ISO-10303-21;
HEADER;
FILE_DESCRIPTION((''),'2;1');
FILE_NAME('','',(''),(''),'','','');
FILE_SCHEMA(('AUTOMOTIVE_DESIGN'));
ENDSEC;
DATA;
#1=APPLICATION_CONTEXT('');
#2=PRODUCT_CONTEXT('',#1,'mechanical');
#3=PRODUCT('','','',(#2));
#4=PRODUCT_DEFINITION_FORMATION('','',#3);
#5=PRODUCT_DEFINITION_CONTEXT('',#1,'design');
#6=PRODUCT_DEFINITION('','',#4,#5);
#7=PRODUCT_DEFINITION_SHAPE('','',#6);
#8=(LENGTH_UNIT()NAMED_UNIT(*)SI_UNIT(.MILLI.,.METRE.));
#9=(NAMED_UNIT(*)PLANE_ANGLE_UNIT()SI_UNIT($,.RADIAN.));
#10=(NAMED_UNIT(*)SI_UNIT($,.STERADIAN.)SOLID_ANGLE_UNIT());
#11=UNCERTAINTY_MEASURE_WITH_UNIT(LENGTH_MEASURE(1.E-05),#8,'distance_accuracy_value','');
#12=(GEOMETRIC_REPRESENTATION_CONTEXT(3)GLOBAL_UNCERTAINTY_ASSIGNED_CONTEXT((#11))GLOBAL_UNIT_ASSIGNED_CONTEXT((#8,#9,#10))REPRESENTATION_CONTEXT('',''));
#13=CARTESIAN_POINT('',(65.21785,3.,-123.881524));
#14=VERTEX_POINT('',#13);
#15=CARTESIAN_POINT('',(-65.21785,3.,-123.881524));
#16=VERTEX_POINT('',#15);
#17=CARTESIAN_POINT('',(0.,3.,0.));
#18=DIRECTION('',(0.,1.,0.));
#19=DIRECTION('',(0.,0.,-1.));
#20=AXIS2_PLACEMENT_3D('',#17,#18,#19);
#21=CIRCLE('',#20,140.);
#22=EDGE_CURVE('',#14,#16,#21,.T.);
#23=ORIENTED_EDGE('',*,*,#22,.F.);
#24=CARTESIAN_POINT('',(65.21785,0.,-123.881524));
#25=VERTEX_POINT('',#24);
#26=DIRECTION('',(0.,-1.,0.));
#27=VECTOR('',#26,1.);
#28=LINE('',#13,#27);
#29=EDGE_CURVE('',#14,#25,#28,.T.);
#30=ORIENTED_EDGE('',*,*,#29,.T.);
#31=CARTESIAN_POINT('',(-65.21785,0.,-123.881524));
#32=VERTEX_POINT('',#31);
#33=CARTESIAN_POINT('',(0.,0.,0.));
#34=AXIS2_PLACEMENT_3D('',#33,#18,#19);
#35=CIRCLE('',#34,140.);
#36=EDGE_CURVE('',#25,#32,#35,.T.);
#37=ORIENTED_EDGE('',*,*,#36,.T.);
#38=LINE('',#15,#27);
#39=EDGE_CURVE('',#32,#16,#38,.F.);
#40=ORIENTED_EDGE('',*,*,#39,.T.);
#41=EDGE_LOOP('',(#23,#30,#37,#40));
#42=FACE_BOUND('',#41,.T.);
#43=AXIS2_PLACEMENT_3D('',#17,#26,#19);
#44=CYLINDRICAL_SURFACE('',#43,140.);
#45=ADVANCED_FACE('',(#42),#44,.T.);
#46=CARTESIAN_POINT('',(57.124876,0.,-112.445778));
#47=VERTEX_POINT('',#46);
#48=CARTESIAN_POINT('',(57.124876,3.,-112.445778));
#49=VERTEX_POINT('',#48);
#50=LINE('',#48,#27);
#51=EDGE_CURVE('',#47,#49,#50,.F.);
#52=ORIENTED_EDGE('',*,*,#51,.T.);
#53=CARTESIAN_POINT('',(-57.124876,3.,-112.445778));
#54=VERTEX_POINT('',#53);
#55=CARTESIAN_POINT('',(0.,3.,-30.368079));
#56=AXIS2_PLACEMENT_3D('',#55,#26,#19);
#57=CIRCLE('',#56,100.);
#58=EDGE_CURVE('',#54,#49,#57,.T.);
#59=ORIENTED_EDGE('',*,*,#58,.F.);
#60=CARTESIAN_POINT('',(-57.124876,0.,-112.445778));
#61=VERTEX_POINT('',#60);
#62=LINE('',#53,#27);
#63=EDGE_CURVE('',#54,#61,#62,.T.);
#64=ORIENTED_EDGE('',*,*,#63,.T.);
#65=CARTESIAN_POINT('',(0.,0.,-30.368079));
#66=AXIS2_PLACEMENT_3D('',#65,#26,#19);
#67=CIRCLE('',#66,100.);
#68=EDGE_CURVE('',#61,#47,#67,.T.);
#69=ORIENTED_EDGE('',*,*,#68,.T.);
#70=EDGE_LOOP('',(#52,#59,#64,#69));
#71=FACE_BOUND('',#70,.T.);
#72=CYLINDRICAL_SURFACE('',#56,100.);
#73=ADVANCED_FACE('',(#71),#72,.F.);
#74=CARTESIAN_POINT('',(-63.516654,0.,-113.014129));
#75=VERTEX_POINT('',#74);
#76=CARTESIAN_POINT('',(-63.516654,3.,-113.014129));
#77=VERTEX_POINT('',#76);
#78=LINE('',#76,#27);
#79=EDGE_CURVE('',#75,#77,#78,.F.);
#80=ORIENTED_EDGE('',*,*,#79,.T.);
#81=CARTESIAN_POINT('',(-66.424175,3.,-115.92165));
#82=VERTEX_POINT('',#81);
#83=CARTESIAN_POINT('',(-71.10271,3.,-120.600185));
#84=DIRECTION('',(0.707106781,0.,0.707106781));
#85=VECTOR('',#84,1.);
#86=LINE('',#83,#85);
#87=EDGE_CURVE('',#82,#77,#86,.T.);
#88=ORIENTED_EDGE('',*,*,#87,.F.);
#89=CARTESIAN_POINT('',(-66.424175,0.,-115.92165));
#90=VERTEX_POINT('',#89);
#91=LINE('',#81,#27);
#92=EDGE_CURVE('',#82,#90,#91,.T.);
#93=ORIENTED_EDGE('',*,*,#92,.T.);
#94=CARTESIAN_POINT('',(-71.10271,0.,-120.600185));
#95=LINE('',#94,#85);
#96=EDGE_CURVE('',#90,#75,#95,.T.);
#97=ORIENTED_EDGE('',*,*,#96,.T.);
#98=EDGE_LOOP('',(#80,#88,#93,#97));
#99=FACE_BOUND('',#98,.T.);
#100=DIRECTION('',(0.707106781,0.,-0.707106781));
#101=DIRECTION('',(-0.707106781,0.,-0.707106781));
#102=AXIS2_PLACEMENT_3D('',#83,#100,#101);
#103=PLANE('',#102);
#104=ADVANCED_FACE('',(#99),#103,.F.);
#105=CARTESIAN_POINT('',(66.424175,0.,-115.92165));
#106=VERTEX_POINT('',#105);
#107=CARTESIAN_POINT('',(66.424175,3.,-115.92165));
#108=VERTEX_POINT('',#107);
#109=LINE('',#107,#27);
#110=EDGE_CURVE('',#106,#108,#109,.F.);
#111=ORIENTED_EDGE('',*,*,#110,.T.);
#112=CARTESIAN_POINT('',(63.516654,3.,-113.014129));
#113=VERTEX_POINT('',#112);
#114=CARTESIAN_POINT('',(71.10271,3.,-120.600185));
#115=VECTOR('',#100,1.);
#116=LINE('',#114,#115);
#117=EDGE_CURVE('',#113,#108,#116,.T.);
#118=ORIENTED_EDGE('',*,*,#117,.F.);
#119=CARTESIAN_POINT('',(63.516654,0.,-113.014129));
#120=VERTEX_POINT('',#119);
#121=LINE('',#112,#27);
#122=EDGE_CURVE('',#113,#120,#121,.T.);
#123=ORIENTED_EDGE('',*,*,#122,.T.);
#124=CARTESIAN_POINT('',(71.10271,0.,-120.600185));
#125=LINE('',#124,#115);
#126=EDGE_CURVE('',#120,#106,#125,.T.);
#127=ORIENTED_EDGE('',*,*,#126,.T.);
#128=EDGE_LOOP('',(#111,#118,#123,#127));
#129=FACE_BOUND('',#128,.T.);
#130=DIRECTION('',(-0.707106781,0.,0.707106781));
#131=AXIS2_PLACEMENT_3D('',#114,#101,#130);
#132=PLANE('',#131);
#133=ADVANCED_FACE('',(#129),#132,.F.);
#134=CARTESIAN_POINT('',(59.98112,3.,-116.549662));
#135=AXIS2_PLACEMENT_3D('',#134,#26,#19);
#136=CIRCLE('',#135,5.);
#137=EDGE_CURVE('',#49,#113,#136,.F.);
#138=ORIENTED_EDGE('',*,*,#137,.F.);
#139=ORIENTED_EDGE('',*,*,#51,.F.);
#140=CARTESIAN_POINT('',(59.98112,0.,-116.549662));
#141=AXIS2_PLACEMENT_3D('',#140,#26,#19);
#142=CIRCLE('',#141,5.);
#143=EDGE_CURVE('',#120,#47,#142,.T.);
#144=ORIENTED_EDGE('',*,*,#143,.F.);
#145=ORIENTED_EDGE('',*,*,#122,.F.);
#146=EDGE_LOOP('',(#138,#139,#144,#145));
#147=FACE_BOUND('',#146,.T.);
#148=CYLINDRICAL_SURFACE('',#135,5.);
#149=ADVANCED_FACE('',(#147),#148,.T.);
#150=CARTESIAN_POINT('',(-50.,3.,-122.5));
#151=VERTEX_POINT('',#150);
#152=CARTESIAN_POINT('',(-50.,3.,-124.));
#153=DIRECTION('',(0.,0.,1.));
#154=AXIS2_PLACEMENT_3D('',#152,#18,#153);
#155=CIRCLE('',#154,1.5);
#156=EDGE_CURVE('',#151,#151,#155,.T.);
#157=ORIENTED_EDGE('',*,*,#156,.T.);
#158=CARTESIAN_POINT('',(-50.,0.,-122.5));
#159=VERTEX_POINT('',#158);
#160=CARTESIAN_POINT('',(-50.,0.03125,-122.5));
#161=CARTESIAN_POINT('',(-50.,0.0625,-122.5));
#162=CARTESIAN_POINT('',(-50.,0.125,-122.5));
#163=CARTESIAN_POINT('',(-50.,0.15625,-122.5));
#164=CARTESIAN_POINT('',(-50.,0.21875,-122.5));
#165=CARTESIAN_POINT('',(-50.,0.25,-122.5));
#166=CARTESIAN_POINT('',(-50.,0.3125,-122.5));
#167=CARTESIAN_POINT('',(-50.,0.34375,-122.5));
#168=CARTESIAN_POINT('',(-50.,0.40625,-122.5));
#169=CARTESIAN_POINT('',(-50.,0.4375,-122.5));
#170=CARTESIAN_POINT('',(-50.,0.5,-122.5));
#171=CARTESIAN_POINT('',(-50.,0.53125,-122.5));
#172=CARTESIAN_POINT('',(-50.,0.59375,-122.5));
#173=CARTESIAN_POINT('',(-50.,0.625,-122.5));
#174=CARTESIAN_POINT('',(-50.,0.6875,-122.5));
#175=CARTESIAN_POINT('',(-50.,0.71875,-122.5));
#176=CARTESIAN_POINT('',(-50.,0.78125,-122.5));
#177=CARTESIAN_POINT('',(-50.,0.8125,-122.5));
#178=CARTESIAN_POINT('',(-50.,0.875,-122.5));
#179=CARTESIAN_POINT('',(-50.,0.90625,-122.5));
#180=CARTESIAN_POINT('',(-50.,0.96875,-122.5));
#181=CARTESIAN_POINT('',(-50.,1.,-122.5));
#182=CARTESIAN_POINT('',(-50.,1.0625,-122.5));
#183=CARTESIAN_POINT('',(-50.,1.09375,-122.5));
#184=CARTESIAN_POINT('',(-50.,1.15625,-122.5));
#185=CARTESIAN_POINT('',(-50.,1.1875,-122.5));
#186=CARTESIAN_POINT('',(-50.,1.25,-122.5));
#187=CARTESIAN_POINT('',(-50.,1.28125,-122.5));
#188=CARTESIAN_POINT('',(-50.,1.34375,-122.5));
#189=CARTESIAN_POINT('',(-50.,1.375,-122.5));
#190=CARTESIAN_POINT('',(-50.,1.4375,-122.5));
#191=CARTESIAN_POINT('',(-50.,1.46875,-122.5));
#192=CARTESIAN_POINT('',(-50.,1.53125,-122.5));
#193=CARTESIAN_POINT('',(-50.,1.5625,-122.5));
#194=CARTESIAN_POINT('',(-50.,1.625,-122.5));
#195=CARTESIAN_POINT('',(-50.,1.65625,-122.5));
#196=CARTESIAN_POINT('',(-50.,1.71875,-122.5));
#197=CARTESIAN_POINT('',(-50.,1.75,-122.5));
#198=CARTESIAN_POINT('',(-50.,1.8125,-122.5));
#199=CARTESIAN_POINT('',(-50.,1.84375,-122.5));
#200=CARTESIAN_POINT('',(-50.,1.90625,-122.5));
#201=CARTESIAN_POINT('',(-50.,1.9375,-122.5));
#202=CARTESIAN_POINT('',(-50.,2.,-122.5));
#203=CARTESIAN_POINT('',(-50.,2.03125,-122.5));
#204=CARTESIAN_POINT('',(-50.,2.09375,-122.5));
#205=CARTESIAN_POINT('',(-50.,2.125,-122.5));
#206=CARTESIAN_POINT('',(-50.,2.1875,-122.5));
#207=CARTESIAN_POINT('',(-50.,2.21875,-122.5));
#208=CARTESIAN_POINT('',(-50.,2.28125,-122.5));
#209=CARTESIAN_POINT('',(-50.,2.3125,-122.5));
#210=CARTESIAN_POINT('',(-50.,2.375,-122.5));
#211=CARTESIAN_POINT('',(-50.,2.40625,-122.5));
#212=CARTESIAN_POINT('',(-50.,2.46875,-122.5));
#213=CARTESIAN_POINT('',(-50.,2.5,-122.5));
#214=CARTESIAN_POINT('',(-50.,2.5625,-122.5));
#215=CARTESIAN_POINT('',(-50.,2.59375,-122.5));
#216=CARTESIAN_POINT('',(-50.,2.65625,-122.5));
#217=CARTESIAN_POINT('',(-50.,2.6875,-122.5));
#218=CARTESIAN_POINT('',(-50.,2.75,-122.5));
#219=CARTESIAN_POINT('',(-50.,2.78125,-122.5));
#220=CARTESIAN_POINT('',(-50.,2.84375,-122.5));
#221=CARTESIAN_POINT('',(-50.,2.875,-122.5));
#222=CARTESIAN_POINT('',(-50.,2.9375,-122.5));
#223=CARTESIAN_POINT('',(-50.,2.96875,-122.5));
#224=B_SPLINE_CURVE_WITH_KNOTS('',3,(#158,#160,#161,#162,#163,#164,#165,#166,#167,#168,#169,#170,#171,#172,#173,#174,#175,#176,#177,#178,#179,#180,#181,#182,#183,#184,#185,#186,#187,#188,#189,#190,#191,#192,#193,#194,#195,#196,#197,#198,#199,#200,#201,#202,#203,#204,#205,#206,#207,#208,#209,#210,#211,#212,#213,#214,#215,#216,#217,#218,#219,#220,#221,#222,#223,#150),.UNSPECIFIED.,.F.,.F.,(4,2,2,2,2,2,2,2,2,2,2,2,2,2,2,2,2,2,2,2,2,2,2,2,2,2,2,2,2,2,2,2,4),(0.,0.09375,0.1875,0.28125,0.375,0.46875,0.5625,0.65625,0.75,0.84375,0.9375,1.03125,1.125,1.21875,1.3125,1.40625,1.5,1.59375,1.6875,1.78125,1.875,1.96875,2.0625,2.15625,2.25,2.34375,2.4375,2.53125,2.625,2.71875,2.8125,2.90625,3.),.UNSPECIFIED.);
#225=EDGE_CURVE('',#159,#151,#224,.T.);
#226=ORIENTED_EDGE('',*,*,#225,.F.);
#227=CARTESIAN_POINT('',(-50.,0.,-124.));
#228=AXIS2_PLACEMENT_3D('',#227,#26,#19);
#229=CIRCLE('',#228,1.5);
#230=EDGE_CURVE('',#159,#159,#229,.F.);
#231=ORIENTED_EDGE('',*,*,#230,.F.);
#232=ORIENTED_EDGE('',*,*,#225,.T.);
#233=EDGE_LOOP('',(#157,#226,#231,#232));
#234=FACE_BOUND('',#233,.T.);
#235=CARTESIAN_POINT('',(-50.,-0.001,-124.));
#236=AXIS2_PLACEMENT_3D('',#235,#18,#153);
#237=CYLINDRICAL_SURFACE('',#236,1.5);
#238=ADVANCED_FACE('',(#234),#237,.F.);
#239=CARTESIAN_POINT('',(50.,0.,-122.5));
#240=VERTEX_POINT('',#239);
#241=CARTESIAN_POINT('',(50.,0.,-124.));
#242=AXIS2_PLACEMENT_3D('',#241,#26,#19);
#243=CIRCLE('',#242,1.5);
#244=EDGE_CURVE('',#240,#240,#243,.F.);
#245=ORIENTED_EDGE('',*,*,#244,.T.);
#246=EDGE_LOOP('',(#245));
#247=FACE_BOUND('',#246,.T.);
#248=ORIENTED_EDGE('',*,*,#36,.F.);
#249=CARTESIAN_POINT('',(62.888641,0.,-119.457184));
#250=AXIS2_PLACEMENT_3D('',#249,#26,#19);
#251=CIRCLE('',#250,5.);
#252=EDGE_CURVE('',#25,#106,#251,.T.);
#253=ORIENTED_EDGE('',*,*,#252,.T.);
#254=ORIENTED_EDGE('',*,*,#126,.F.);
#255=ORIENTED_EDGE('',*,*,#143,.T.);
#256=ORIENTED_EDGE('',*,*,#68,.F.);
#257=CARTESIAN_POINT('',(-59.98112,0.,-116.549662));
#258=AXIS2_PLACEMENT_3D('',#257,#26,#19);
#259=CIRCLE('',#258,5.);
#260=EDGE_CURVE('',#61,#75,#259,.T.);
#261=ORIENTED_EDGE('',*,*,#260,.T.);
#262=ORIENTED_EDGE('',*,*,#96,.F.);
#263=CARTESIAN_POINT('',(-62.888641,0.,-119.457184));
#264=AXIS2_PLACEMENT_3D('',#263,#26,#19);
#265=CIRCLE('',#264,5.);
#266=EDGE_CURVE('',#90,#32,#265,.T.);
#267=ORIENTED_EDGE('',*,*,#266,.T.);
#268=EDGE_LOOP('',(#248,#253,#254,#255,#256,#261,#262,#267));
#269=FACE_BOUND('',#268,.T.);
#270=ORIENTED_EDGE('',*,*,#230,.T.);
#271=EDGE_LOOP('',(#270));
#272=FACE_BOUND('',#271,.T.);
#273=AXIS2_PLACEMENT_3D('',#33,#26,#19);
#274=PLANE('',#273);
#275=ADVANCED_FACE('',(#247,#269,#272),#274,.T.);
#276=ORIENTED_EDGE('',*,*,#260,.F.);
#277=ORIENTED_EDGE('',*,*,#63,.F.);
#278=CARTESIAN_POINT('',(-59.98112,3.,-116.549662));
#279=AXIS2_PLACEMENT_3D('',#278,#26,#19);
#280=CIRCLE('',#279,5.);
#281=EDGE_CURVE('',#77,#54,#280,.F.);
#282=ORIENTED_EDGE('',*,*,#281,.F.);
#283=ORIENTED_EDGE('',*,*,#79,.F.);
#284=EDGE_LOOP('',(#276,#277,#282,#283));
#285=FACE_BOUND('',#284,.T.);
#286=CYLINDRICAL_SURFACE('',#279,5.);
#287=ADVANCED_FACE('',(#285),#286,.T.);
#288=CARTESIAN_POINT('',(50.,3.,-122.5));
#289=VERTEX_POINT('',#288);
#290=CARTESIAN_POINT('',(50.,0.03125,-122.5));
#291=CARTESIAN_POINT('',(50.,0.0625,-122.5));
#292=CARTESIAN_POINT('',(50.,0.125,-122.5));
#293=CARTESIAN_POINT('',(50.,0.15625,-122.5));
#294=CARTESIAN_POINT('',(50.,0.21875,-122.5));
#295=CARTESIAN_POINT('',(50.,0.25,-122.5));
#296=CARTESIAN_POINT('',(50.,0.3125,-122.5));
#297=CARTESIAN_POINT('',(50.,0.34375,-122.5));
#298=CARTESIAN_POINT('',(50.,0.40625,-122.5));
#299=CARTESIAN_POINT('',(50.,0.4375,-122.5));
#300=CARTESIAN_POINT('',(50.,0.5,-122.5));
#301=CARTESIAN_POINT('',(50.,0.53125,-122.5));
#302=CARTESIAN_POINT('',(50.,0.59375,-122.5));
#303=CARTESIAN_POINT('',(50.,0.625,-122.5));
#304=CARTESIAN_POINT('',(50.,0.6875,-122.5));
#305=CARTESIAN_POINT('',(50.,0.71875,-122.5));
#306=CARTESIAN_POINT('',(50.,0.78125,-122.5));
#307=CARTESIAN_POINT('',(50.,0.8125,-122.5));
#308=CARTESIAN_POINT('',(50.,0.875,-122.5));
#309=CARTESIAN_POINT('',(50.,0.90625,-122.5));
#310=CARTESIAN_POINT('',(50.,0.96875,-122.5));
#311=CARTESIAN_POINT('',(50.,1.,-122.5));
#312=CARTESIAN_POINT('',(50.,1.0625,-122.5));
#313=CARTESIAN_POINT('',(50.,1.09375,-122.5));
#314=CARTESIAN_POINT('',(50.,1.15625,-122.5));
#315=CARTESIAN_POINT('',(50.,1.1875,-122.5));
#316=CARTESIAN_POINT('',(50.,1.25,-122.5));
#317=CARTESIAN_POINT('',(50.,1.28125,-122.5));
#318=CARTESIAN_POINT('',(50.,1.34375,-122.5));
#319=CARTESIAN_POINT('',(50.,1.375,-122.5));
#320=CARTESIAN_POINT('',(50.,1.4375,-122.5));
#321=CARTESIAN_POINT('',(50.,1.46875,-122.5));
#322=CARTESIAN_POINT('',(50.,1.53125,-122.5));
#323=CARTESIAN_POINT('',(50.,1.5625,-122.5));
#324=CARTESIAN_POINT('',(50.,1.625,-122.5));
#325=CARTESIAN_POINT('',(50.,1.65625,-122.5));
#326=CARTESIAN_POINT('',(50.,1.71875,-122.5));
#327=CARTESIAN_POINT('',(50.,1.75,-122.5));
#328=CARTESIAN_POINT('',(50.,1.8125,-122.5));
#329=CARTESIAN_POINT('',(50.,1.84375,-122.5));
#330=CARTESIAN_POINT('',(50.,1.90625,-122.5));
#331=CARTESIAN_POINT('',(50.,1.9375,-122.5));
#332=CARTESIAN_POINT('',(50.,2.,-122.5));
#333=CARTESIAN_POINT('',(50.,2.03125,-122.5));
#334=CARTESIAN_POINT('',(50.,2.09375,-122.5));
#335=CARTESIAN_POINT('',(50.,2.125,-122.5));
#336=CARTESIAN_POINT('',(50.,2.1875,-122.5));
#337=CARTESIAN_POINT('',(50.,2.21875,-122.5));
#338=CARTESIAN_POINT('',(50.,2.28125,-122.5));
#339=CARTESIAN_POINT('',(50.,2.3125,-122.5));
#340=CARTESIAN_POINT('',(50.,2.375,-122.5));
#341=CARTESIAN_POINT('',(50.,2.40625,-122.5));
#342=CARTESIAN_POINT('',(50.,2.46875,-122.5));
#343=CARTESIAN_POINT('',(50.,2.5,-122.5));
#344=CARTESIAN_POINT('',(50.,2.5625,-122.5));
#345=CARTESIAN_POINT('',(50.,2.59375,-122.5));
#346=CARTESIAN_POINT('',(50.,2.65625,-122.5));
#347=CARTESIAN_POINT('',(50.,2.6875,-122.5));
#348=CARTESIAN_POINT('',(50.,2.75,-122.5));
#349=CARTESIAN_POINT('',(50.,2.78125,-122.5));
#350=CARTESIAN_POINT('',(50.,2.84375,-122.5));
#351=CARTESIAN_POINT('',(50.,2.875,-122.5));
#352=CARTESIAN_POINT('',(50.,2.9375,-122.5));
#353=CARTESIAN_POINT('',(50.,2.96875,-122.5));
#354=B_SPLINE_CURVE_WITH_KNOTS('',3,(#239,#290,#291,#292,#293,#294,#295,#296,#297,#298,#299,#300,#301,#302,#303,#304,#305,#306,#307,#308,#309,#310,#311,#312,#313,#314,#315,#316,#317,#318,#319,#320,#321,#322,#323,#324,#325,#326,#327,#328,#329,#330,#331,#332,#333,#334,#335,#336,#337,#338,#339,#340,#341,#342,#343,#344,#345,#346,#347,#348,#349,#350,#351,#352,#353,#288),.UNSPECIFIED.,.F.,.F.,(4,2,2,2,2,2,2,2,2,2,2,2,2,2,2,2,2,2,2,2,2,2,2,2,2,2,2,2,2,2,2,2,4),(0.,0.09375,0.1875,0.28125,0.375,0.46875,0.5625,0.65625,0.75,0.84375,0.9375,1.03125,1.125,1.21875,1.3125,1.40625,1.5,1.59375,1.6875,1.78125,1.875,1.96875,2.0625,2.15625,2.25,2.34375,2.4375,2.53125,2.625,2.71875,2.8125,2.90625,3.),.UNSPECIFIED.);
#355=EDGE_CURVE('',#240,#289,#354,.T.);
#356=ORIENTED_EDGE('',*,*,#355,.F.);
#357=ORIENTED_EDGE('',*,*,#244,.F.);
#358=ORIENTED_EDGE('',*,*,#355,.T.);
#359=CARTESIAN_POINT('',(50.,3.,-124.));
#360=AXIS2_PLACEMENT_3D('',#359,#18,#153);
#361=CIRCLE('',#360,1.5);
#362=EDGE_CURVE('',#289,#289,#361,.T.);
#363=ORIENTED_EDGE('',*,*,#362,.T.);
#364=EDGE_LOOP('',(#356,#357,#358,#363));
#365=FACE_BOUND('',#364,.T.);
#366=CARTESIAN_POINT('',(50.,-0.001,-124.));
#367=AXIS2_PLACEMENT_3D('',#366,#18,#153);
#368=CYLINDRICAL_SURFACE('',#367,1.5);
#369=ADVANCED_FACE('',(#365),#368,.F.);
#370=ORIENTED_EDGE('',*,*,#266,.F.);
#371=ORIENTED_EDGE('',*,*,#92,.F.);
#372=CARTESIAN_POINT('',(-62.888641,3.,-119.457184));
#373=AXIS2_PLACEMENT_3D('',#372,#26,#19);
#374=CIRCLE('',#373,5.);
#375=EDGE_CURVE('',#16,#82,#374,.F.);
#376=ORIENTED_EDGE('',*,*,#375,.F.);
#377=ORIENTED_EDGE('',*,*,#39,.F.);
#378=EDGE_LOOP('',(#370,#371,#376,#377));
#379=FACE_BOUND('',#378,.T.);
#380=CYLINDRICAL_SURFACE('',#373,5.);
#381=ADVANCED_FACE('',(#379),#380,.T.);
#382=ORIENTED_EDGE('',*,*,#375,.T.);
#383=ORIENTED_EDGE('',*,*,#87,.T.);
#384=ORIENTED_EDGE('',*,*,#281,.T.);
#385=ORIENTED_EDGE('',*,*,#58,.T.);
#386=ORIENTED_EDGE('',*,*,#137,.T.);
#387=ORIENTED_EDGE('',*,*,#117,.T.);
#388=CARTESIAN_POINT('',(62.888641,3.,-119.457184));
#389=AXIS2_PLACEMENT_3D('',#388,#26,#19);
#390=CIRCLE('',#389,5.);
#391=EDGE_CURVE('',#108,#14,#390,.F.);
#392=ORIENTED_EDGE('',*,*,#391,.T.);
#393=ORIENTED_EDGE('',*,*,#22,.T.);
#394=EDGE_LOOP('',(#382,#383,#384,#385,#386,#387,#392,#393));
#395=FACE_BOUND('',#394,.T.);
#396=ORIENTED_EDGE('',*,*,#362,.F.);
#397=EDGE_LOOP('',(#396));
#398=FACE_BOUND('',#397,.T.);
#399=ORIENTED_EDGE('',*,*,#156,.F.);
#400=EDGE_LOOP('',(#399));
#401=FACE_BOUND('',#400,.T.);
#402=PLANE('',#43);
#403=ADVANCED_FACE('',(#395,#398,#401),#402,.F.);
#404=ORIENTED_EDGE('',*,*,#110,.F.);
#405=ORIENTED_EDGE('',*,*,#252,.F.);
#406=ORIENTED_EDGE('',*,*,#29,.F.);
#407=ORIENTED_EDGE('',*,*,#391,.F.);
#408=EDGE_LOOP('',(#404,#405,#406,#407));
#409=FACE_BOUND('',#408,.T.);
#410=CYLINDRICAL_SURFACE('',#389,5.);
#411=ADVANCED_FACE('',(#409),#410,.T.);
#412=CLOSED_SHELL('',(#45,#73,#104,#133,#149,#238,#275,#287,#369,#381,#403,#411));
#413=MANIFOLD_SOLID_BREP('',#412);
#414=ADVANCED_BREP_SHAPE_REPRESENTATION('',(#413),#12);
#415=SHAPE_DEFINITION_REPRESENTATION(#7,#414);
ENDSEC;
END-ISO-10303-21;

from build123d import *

# Parameters (mm, degrees)
BOSS_EXTRUDE1_DEPTH = 3
FILLET1_R           = 5
CUT_EXTRUDE1_REACH  = 157.621
SKETCH2_R           = 1.5


with BuildPart() as part:
    # Sketch1 → Boss-Extrude1 (new body)
    with BuildSketch(Plane(origin=(0, 0, 0), x_dir=(1, 0, 0), z_dir=(0, 1, 0))):
        with BuildLine():
            Line((-71.102710222, 120.600184905), (-60.496108504, 109.993583187))
            ThreePointArc((-60.496108504, 109.993583187), (0, 130.368079384), (60.496108504, 109.993583187))
            Line((60.496108504, 109.993583187), (71.102710222, 120.600184905))
            ThreePointArc((71.102710222, 120.600184905), (0, 140), (-71.102710222, 120.600184905))
        make_face()
    extrude(amount=BOSS_EXTRUDE1_DEPTH)

    # Fillet1
    fillet1_edges = [part.edges().sort_by_distance(p)[0] for p in [
        (71.102710222, 1.5, -120.600184905),
        (60.496108504, 1.5, -109.993583187),
        (-60.496108504, 1.5, -109.993583187),
        (-71.102710222, 1.5, -120.600184905),
    ]]
    fillet(fillet1_edges, radius=FILLET1_R)

    # Sketch2 → Cut-Extrude1 (cut, up to next)
    with BuildSketch(Plane(origin=(0, 3, 0), x_dir=(1, 0, 0), z_dir=(0, 1, 0)), mode=Mode.PRIVATE) as cut_extrude1_sk1:
        with Locations(Location((-50, 124, 0), (0, 0, 270))):
            Circle(SKETCH2_R)
    cut_extrude1_tool1 = extrude(cut_extrude1_sk1.sketch, amount=-CUT_EXTRUDE1_REACH, mode=Mode.PRIVATE) & part.part
    # Sketch2 → Cut-Extrude1 (cut, up to next)
    with BuildSketch(Plane(origin=(0, 3, 0), x_dir=(1, 0, 0), z_dir=(0, 1, 0)), mode=Mode.PRIVATE) as cut_extrude1_sk2:
        with Locations(Location((50, 124, 0), (0, 0, 270))):
            Circle(SKETCH2_R)
    cut_extrude1_tool2 = extrude(cut_extrude1_sk2.sketch, amount=-CUT_EXTRUDE1_REACH, mode=Mode.PRIVATE) & part.part
    add(cut_extrude1_tool1.solids().sort_by_distance((-50, 3, -124))[0], mode=Mode.SUBTRACT)
    add(cut_extrude1_tool2.solids().sort_by_distance((50, 3, -124))[0], mode=Mode.SUBTRACT)


solid = part.part
